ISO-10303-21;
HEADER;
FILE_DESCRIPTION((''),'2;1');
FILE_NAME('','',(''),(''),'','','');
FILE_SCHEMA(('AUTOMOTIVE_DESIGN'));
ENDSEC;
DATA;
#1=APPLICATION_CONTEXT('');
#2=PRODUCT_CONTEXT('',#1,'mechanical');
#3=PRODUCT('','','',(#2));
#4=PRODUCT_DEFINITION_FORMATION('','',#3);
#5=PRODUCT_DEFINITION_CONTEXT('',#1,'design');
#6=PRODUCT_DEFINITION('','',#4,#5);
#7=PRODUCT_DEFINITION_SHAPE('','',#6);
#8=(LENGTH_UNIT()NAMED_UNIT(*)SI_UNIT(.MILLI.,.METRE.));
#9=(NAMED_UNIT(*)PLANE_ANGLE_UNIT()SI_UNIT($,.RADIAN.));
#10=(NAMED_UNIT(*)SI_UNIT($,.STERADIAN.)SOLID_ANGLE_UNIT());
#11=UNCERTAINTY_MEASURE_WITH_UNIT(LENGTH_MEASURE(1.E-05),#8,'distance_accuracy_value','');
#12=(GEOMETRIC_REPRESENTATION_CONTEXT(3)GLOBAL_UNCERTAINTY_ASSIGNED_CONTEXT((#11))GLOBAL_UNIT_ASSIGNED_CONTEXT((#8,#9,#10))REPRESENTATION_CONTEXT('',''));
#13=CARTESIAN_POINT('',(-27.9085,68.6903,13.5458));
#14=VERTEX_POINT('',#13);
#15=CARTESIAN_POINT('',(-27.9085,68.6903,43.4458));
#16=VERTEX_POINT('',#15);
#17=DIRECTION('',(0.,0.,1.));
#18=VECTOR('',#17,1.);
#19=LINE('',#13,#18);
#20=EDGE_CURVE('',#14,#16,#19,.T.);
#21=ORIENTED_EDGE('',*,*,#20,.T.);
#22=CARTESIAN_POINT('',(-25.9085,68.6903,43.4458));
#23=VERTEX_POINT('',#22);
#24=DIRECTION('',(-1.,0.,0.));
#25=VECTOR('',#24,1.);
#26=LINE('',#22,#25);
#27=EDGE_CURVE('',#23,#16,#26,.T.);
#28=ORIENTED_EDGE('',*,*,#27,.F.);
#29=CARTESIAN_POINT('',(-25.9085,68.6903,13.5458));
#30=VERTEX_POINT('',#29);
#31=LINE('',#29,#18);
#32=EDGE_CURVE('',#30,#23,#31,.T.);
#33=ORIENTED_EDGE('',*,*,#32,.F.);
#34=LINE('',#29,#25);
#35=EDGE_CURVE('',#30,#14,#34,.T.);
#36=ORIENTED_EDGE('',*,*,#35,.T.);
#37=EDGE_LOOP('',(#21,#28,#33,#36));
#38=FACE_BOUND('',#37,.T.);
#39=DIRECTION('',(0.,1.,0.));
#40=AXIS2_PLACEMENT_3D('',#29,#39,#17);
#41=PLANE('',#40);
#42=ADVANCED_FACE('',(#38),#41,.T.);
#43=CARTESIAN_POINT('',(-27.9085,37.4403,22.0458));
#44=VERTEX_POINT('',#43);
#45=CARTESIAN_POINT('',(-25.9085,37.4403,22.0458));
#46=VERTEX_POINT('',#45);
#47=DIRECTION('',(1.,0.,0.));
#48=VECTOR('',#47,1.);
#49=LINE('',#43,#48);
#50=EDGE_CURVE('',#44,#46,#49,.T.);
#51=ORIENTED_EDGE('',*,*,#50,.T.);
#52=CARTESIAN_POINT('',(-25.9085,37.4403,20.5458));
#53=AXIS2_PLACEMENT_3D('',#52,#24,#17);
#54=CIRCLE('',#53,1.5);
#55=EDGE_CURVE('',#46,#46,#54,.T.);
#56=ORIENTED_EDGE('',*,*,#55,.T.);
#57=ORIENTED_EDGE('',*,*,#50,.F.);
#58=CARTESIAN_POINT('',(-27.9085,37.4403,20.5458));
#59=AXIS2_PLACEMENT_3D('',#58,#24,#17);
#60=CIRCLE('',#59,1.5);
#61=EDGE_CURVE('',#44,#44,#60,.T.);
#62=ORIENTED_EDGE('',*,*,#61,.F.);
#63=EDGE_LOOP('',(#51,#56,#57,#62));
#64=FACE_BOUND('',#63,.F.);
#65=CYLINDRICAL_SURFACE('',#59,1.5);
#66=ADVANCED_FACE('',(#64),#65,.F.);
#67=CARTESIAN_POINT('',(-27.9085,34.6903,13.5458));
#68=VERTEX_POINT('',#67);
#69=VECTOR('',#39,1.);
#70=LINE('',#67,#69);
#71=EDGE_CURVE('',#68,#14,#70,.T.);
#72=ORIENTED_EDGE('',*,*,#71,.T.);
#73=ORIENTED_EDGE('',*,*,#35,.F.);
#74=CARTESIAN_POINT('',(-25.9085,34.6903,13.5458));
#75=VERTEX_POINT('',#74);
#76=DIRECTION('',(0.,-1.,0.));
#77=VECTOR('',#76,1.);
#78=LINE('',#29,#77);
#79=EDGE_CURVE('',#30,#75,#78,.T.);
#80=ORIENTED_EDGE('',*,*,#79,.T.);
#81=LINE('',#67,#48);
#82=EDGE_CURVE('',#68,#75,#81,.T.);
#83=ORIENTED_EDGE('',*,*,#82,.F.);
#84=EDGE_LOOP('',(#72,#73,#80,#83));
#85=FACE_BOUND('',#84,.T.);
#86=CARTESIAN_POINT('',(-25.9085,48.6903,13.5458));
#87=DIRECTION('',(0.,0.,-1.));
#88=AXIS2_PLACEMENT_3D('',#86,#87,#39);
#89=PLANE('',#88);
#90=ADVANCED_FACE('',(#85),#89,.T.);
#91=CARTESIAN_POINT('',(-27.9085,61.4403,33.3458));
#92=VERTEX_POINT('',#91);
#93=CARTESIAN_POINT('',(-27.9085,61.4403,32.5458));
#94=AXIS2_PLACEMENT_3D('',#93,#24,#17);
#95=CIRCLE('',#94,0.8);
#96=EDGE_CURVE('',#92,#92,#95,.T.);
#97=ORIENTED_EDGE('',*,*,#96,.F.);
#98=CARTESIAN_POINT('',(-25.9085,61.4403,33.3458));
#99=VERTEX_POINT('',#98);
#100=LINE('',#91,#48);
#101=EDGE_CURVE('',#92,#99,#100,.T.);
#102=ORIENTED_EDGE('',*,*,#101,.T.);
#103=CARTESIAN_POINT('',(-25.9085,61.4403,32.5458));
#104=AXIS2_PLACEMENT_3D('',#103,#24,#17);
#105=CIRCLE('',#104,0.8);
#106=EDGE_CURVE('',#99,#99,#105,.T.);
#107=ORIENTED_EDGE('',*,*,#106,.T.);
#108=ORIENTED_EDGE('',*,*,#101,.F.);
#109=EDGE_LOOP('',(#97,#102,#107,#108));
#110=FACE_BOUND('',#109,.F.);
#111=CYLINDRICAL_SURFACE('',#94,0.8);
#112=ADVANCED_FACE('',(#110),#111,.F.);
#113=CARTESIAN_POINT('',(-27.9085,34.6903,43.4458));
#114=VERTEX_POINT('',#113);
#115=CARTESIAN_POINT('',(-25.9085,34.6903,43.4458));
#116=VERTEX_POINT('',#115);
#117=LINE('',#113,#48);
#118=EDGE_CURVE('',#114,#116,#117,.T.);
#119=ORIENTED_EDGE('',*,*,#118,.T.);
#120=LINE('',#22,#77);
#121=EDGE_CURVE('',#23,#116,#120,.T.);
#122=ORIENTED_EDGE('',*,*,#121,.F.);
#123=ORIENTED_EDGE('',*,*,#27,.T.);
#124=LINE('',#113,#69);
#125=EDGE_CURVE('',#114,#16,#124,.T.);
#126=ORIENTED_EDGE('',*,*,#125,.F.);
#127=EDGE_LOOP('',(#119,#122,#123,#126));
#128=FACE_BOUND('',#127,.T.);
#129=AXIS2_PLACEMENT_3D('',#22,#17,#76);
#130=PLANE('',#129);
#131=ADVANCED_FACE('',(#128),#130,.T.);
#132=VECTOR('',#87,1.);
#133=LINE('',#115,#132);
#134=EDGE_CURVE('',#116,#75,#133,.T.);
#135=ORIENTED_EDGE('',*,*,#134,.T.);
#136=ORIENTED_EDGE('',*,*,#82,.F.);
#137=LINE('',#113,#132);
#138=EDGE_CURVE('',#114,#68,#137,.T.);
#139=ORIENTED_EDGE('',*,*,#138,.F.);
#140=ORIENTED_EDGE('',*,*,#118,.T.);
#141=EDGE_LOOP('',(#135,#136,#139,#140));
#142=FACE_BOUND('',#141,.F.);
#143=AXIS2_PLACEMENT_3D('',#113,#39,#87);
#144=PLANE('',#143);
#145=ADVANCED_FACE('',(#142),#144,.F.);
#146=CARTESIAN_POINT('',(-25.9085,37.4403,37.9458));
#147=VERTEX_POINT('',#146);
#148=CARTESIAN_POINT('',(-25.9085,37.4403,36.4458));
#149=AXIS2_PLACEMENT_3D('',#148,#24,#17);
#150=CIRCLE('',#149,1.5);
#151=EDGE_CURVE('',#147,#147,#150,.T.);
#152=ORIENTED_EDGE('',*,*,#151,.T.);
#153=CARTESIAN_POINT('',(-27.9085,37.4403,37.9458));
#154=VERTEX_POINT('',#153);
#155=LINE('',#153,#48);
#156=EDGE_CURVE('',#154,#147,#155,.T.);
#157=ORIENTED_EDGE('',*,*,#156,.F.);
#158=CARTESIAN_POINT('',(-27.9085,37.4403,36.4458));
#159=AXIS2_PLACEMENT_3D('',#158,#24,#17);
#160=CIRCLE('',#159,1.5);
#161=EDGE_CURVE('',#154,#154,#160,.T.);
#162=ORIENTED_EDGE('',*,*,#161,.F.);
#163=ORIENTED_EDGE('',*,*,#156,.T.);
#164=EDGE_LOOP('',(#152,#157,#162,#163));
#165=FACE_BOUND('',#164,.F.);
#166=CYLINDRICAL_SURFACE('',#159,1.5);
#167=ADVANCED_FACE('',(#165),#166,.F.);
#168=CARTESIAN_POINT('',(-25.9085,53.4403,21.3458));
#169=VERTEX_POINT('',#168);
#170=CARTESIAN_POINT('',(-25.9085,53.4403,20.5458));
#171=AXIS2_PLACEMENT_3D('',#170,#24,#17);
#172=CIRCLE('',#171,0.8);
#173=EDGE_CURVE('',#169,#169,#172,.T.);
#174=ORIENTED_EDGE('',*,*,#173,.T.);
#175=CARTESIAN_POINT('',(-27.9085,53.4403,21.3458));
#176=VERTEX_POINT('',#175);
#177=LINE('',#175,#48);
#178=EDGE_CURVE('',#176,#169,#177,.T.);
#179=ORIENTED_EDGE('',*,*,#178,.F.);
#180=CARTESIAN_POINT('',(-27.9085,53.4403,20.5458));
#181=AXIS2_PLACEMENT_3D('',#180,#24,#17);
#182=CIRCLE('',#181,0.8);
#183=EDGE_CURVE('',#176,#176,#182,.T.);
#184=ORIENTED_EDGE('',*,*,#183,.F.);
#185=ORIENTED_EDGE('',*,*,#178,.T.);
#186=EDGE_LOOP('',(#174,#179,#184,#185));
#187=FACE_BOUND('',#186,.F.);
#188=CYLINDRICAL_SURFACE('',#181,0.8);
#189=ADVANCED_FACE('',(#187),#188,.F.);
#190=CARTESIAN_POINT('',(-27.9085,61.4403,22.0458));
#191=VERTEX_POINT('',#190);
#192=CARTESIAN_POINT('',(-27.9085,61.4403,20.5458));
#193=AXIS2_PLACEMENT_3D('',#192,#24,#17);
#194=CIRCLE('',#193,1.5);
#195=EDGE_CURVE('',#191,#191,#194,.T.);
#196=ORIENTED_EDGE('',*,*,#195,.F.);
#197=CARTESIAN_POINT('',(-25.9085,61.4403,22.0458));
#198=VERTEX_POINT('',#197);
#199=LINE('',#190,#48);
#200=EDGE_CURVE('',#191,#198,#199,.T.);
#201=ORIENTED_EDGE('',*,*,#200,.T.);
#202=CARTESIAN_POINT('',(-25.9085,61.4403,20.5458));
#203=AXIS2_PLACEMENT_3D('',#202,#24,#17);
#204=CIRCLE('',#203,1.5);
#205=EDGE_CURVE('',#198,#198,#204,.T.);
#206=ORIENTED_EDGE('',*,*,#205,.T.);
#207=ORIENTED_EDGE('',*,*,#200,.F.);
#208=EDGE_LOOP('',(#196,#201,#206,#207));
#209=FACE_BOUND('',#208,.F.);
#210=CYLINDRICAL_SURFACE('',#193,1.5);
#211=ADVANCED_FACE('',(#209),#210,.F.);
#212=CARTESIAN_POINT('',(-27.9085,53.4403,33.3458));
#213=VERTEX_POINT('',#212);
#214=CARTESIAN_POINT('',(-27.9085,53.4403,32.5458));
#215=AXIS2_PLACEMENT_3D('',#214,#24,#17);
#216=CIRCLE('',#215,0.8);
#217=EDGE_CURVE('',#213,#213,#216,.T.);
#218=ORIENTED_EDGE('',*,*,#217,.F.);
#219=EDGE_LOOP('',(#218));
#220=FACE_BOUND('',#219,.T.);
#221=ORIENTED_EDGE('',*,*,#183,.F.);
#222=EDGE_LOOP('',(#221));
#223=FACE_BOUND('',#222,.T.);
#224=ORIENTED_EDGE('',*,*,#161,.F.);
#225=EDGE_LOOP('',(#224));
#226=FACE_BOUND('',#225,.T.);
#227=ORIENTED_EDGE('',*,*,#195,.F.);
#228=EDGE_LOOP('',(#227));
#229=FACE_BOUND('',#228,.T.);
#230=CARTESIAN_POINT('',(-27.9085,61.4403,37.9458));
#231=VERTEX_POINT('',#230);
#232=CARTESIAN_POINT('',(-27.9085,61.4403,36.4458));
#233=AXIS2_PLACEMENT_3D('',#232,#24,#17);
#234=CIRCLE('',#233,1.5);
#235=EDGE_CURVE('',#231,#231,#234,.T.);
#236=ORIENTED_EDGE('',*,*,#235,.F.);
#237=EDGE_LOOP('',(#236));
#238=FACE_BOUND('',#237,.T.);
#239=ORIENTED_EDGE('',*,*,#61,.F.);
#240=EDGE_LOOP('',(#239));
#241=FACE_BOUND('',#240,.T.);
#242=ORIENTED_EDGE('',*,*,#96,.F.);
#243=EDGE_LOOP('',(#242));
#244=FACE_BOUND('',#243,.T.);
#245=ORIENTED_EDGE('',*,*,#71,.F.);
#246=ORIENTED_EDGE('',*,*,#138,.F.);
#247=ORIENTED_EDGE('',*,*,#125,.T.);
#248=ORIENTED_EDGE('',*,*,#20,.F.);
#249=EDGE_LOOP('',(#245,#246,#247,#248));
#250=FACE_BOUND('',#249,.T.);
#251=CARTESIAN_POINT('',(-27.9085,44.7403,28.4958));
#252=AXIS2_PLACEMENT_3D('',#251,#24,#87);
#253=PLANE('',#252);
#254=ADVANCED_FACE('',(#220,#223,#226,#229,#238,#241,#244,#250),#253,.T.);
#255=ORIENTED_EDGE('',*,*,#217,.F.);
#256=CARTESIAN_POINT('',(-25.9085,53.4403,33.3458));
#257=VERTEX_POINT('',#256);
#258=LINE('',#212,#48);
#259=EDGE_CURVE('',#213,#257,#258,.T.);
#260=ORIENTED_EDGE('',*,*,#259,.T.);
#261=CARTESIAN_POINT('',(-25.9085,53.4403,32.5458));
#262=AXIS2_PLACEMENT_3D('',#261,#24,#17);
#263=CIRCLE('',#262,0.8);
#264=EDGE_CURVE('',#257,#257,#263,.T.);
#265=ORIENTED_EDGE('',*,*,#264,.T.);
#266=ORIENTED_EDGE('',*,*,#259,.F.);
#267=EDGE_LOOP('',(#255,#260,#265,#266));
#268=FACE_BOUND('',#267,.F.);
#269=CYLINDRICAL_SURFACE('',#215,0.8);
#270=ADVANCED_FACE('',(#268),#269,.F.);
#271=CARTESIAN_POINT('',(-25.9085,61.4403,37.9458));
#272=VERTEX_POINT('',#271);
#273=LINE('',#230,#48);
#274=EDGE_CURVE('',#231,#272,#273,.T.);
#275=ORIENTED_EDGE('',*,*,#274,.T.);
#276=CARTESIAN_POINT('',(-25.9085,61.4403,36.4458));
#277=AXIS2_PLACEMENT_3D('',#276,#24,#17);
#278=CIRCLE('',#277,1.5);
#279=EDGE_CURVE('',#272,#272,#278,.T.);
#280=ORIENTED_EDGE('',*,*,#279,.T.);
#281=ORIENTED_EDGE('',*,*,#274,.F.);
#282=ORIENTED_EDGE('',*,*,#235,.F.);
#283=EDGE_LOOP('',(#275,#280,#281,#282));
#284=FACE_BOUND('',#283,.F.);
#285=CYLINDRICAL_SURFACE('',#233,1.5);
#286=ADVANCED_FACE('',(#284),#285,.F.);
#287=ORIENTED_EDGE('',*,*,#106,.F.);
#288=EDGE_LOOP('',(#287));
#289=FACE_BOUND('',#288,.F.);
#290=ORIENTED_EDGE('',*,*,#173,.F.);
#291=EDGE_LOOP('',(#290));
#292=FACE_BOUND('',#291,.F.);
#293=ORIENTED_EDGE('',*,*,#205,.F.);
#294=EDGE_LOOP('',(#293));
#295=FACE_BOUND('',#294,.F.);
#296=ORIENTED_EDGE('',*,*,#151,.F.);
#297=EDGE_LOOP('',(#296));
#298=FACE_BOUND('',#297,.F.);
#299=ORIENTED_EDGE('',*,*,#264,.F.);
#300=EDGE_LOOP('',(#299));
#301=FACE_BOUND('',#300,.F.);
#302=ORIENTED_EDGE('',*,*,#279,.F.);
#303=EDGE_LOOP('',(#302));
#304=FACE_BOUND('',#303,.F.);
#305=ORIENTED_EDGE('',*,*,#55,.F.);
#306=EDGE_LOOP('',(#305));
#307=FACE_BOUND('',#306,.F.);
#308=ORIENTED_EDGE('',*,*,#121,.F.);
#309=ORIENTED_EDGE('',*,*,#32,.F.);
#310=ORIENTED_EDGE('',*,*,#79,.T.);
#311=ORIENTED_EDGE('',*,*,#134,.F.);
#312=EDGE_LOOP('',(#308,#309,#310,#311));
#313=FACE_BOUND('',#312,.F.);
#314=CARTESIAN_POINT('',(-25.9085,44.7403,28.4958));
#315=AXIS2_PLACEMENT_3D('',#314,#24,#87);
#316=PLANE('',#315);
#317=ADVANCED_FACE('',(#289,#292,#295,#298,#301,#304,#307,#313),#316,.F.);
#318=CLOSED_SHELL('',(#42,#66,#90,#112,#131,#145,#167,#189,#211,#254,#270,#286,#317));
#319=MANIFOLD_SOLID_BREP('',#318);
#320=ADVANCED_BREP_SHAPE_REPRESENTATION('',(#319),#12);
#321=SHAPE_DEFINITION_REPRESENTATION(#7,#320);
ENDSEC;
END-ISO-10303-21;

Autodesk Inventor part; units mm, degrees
ref_plane "YZ Plane" through (0, 0, 0) normal (1, 0, 0) x (0, 1, 0)
ref_plane "XZ Plane" through (0, 0, 0) normal (0, 1, 0) x (-1, 0, 0)
ref_plane "XY Plane" through (0, 0, 0) normal (0, 0, 1) x (1, 0, 0)
ref_plane "РабПлоскость1" through (-25.9085, 44.7403, 28.4958) normal (-1, 0, 0) x (0, 0, -1)
sketch "Эскиз1" plane through (-25.9085, 44.7403, 28.4958) normal (-1, 0, 0) x (0, 0, -1)
  line L0 (6, -10.75) -> (0, -10.75)
  line L1 (0, -10.75) -> (0, 48.15)
  line L2 (-14.95, -3.95) -> (14.95, -3.95)
  line L3 (14.95, -3.95) -> (14.95, -23.95)
  line L4 (14.95, -23.95) -> (-14.95, -23.95)
  line L5 (-14.95, -23.95) -> (-14.95, -3.95)
  line L6 (-14.95, -3.95) -> (14.95, -23.95) construction
  line L7 (14.95, -3.95) -> (-14.95, -23.95) construction
  point P0 (28.4958, 44.7403)
  point P1 (0, -13.95)
  dimension "d0" = 6
  dimension "d1" = 29.9
  dimension "d2" = 20
extrude "Выдавливание1" add sketch "Эскиз1" along normal blind 2
sketch "Эскиз2" plane through (-27.9085, 44.7403, 28.4958) normal (-1, 0, 0) x (0, 0, 1)
  line L0 (-14.95, 23.95) -> (-14.95, 3.95) projected
  line L1 (-14.95, 3.95) -> (14.95, 3.95)
  line L2 (14.95, 3.95) -> (14.95, -10.05)
  line L3 (14.95, -10.05) -> (-14.95, -10.05)
  line L4 (-14.95, -10.05) -> (-14.95, 3.95)
  point P0 (-28.4958, -44.7403)
  dimension "d5" = 14
extrude "Выдавливание2" add sketch "Эскиз2" against normal blind 2
sketch "Эскиз3" plane through (-27.9085, 44.7403, 28.4958) normal (-1, 0, 0) x (0, 0, 1)
  point P0 (-28.4958, -44.7403)
sketch "Эскиз4" plane through (-27.9085, 44.7403, 28.4958) normal (-1, 0, 0) x (0, 0, 1)
  circle A0 centre (-7.95, 16.7) radius 1.5 projected
  circle A1 centre (-7.95, -7.3) radius 1.5 projected
  circle A2 centre (7.95, -7.3) radius 1.5 projected
  circle A3 centre (7.95, 16.7) radius 1.5 projected
  point P0 (-28.4958, -44.7403)
extrude "Выдавливание3" cut sketch "Эскиз4" against normal blind 2
sketch "Эскиз5" plane through (-27.9085, 44.7403, 28.4958) normal (-1, 0, 0) x (0, 0, 1)
  circle A0 centre (4.05, 16.7) radius 0.8 projected
  circle A1 centre (4.05, 8.7) radius 0.8 projected
  circle A2 centre (-7.95, 8.7) radius 0.8 projected
  circle A3 centre (-7.95, 16.7) radius 0.8 projected
  point P0 (-28.4958, -44.7403)
extrude "Выдавливание4" cut sketch "Эскиз5" against normal blind 10 contours A0 | A1 | A2
properties part number "соединяет крепление с магнитом и рельсу"
